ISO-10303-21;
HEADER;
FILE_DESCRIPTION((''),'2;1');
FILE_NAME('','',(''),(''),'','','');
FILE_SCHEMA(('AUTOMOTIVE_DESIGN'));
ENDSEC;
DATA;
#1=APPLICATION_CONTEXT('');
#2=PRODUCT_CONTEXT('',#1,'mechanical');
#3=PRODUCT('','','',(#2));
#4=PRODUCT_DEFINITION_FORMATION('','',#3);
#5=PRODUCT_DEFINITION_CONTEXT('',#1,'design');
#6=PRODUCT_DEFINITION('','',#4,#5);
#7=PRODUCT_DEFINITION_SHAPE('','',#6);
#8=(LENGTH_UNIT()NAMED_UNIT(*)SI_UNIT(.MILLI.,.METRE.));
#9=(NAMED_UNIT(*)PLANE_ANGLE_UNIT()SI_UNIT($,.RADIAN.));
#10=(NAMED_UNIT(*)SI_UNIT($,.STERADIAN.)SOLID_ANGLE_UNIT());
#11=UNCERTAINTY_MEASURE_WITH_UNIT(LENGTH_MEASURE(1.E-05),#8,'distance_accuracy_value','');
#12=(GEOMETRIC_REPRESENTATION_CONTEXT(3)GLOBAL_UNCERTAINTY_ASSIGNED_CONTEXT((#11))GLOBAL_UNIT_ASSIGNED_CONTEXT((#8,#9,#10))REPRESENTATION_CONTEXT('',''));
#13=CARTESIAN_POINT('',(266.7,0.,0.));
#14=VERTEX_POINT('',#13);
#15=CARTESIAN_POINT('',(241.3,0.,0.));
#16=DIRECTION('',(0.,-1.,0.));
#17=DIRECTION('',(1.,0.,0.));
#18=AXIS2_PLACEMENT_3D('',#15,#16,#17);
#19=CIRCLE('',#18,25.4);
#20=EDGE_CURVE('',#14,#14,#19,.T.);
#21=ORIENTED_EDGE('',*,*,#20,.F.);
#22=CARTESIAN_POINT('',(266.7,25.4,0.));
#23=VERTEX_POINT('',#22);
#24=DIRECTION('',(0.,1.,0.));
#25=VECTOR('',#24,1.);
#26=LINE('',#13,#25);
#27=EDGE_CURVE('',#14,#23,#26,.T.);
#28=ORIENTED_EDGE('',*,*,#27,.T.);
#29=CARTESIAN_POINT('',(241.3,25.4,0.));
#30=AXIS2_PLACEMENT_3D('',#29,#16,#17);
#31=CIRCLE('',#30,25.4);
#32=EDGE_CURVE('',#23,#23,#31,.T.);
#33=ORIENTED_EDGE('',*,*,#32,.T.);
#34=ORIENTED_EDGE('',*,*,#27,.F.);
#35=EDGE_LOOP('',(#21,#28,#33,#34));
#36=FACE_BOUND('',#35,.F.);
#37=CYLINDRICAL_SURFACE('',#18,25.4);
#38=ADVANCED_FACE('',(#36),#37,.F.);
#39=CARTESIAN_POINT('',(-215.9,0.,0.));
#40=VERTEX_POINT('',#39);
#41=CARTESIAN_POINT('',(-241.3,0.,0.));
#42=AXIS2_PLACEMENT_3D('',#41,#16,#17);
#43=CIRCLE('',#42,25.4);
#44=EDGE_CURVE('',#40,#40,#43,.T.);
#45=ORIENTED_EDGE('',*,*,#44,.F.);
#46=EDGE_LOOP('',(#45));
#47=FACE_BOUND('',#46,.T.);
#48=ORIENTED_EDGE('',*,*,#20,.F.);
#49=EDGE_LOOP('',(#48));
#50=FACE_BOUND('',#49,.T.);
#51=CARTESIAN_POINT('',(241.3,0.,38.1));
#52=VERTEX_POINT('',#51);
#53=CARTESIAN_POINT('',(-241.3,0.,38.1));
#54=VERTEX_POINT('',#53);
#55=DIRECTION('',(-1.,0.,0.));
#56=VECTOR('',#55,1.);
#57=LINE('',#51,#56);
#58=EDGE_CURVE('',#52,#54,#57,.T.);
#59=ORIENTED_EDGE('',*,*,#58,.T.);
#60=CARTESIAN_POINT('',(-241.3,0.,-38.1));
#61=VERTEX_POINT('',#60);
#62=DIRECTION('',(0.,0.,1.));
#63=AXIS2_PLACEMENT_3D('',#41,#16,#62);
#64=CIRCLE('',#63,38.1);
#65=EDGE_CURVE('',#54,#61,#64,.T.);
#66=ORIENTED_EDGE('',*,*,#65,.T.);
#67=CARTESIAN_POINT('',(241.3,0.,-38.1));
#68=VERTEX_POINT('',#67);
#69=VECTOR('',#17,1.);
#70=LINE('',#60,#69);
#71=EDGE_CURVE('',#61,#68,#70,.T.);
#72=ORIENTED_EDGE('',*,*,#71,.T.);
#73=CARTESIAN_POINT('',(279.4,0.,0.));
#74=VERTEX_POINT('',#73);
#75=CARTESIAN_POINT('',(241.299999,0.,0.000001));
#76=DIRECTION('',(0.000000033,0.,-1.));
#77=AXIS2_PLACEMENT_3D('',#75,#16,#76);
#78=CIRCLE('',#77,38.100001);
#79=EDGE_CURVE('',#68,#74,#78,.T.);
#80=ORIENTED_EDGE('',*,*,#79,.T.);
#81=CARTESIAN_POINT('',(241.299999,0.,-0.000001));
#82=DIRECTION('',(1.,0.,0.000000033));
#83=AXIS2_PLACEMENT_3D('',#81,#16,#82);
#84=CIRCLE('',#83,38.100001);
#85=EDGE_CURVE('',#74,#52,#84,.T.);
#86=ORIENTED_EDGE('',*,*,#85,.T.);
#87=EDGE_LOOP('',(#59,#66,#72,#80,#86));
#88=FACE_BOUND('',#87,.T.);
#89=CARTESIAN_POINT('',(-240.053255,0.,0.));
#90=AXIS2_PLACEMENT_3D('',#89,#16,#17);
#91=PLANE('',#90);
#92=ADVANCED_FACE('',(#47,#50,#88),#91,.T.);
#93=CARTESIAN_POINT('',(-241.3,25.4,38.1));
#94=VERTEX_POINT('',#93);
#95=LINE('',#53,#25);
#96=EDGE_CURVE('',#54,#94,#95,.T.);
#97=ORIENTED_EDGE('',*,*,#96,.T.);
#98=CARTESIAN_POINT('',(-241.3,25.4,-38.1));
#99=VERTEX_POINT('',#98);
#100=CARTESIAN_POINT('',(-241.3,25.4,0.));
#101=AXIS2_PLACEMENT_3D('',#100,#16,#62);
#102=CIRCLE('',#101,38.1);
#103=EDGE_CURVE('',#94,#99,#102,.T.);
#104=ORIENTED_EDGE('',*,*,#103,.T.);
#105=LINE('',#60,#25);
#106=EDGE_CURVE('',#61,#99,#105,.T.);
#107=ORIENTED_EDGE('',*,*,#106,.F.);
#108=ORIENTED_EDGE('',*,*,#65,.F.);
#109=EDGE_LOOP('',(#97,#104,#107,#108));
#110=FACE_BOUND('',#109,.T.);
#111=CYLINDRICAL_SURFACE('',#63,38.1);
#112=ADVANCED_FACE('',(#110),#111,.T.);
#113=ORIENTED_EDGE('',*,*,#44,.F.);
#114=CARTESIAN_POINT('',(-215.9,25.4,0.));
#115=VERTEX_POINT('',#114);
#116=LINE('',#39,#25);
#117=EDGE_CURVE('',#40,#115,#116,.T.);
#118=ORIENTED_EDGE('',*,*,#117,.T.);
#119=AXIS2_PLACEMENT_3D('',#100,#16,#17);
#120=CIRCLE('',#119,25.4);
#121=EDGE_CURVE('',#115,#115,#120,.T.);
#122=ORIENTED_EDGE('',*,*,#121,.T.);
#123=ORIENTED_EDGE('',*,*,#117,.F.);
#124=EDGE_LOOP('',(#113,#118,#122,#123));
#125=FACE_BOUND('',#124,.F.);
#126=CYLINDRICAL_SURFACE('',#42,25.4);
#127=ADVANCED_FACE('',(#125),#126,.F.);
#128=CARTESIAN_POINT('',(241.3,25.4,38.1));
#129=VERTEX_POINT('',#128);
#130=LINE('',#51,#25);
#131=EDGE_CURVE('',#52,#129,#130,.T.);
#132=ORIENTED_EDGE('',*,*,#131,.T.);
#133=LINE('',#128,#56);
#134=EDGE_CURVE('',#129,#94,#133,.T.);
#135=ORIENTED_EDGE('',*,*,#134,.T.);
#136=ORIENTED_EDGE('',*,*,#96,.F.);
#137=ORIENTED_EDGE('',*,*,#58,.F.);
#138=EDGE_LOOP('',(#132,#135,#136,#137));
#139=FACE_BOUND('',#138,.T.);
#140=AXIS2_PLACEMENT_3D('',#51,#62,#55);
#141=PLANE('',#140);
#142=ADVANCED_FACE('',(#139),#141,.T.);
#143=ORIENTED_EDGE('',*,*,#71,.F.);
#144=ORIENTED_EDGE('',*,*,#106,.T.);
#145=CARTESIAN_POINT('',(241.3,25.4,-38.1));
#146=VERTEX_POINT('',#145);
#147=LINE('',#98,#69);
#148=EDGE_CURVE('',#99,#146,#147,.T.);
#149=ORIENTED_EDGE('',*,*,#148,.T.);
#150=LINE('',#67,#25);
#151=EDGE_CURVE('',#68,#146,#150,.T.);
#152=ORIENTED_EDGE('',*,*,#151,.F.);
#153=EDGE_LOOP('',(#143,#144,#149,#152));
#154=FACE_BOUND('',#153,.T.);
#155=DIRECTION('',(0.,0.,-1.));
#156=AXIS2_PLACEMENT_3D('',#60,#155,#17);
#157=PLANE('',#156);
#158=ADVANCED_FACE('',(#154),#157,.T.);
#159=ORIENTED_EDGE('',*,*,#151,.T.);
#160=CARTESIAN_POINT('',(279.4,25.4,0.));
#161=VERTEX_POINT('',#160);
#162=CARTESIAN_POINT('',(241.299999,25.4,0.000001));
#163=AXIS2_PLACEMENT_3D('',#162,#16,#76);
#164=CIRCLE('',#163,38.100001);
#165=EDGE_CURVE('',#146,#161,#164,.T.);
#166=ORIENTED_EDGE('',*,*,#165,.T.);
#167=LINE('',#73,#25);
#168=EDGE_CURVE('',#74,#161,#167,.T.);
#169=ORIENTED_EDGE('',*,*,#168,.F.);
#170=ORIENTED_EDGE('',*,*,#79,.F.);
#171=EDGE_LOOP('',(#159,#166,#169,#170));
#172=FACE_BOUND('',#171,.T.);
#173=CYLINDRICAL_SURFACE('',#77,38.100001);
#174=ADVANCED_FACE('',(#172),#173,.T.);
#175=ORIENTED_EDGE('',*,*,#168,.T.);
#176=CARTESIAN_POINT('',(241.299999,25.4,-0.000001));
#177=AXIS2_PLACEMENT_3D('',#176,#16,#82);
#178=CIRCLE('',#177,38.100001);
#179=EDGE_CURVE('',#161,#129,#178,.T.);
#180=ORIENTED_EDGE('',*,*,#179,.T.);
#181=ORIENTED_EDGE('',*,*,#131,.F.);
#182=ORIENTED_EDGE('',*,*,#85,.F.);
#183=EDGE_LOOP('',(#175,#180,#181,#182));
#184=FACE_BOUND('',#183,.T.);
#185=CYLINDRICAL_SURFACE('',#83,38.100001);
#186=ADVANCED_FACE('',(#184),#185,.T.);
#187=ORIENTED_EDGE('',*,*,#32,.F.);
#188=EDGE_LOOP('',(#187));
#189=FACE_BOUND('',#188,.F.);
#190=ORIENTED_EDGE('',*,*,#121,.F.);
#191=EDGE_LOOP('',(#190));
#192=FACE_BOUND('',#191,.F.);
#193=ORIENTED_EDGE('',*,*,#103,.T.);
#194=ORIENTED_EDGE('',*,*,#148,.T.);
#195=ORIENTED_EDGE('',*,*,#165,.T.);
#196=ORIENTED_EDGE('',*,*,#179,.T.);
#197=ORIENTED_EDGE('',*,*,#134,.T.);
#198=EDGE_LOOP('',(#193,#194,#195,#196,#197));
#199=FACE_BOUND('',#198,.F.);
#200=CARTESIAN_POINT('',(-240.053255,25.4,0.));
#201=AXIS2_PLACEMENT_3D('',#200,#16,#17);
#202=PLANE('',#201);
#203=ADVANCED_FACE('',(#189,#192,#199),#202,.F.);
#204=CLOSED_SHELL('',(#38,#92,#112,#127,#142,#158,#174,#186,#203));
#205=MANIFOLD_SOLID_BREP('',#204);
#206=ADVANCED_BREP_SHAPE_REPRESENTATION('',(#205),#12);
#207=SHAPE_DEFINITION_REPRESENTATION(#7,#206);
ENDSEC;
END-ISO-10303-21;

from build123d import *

# Parameters (mm, degrees)
F0_R     = 25.4
F1_DEPTH = 25.4


with BuildPart() as f1:
    # F0 (on Front) → F1 (new body)
    with BuildSketch(Plane.XZ):
        with BuildLine():
            ThreePointArc((-241.3, -38.1), (-214.359232, -26.940768), (-203.2, 0))
            ThreePointArc((-203.2, 0), (-214.359232, 26.940768), (-241.3, 38.1))
            ThreePointArc((-241.3, 38.1), (-279.4, 0), (-241.3, -38.1))
        make_face()
        with Locations((-241.3, 0)):
            Circle(F0_R, mode=Mode.SUBTRACT)
        with BuildLine():
            ThreePointArc((-241.3, 38.1), (-214.359232, 26.940768), (-203.2, 0))
            ThreePointArc((-203.2, 0), (-214.359232, -26.940768), (-241.3, -38.1))
            Line((-241.3, -38.1), (241.3, -38.1))
            ThreePointArc((241.3, -38.1), (203.2, 0), (241.3, 38.1))
            Line((241.3, 38.1), (-241.3, 38.1))
        make_face()
        with BuildLine():
            ThreePointArc((279.4, 0), (268.240768, 26.940768), (241.3, 38.1))
            ThreePointArc((241.3, 38.1), (203.2, 0), (241.3, -38.1))
            ThreePointArc((241.3, -38.1), (268.240768, -26.940768), (279.4, 0))
        make_face()
        with Locations((241.3, 0)):
            Circle(F0_R, mode=Mode.SUBTRACT)
    extrude(amount=-F1_DEPTH)


solid = f1.part
